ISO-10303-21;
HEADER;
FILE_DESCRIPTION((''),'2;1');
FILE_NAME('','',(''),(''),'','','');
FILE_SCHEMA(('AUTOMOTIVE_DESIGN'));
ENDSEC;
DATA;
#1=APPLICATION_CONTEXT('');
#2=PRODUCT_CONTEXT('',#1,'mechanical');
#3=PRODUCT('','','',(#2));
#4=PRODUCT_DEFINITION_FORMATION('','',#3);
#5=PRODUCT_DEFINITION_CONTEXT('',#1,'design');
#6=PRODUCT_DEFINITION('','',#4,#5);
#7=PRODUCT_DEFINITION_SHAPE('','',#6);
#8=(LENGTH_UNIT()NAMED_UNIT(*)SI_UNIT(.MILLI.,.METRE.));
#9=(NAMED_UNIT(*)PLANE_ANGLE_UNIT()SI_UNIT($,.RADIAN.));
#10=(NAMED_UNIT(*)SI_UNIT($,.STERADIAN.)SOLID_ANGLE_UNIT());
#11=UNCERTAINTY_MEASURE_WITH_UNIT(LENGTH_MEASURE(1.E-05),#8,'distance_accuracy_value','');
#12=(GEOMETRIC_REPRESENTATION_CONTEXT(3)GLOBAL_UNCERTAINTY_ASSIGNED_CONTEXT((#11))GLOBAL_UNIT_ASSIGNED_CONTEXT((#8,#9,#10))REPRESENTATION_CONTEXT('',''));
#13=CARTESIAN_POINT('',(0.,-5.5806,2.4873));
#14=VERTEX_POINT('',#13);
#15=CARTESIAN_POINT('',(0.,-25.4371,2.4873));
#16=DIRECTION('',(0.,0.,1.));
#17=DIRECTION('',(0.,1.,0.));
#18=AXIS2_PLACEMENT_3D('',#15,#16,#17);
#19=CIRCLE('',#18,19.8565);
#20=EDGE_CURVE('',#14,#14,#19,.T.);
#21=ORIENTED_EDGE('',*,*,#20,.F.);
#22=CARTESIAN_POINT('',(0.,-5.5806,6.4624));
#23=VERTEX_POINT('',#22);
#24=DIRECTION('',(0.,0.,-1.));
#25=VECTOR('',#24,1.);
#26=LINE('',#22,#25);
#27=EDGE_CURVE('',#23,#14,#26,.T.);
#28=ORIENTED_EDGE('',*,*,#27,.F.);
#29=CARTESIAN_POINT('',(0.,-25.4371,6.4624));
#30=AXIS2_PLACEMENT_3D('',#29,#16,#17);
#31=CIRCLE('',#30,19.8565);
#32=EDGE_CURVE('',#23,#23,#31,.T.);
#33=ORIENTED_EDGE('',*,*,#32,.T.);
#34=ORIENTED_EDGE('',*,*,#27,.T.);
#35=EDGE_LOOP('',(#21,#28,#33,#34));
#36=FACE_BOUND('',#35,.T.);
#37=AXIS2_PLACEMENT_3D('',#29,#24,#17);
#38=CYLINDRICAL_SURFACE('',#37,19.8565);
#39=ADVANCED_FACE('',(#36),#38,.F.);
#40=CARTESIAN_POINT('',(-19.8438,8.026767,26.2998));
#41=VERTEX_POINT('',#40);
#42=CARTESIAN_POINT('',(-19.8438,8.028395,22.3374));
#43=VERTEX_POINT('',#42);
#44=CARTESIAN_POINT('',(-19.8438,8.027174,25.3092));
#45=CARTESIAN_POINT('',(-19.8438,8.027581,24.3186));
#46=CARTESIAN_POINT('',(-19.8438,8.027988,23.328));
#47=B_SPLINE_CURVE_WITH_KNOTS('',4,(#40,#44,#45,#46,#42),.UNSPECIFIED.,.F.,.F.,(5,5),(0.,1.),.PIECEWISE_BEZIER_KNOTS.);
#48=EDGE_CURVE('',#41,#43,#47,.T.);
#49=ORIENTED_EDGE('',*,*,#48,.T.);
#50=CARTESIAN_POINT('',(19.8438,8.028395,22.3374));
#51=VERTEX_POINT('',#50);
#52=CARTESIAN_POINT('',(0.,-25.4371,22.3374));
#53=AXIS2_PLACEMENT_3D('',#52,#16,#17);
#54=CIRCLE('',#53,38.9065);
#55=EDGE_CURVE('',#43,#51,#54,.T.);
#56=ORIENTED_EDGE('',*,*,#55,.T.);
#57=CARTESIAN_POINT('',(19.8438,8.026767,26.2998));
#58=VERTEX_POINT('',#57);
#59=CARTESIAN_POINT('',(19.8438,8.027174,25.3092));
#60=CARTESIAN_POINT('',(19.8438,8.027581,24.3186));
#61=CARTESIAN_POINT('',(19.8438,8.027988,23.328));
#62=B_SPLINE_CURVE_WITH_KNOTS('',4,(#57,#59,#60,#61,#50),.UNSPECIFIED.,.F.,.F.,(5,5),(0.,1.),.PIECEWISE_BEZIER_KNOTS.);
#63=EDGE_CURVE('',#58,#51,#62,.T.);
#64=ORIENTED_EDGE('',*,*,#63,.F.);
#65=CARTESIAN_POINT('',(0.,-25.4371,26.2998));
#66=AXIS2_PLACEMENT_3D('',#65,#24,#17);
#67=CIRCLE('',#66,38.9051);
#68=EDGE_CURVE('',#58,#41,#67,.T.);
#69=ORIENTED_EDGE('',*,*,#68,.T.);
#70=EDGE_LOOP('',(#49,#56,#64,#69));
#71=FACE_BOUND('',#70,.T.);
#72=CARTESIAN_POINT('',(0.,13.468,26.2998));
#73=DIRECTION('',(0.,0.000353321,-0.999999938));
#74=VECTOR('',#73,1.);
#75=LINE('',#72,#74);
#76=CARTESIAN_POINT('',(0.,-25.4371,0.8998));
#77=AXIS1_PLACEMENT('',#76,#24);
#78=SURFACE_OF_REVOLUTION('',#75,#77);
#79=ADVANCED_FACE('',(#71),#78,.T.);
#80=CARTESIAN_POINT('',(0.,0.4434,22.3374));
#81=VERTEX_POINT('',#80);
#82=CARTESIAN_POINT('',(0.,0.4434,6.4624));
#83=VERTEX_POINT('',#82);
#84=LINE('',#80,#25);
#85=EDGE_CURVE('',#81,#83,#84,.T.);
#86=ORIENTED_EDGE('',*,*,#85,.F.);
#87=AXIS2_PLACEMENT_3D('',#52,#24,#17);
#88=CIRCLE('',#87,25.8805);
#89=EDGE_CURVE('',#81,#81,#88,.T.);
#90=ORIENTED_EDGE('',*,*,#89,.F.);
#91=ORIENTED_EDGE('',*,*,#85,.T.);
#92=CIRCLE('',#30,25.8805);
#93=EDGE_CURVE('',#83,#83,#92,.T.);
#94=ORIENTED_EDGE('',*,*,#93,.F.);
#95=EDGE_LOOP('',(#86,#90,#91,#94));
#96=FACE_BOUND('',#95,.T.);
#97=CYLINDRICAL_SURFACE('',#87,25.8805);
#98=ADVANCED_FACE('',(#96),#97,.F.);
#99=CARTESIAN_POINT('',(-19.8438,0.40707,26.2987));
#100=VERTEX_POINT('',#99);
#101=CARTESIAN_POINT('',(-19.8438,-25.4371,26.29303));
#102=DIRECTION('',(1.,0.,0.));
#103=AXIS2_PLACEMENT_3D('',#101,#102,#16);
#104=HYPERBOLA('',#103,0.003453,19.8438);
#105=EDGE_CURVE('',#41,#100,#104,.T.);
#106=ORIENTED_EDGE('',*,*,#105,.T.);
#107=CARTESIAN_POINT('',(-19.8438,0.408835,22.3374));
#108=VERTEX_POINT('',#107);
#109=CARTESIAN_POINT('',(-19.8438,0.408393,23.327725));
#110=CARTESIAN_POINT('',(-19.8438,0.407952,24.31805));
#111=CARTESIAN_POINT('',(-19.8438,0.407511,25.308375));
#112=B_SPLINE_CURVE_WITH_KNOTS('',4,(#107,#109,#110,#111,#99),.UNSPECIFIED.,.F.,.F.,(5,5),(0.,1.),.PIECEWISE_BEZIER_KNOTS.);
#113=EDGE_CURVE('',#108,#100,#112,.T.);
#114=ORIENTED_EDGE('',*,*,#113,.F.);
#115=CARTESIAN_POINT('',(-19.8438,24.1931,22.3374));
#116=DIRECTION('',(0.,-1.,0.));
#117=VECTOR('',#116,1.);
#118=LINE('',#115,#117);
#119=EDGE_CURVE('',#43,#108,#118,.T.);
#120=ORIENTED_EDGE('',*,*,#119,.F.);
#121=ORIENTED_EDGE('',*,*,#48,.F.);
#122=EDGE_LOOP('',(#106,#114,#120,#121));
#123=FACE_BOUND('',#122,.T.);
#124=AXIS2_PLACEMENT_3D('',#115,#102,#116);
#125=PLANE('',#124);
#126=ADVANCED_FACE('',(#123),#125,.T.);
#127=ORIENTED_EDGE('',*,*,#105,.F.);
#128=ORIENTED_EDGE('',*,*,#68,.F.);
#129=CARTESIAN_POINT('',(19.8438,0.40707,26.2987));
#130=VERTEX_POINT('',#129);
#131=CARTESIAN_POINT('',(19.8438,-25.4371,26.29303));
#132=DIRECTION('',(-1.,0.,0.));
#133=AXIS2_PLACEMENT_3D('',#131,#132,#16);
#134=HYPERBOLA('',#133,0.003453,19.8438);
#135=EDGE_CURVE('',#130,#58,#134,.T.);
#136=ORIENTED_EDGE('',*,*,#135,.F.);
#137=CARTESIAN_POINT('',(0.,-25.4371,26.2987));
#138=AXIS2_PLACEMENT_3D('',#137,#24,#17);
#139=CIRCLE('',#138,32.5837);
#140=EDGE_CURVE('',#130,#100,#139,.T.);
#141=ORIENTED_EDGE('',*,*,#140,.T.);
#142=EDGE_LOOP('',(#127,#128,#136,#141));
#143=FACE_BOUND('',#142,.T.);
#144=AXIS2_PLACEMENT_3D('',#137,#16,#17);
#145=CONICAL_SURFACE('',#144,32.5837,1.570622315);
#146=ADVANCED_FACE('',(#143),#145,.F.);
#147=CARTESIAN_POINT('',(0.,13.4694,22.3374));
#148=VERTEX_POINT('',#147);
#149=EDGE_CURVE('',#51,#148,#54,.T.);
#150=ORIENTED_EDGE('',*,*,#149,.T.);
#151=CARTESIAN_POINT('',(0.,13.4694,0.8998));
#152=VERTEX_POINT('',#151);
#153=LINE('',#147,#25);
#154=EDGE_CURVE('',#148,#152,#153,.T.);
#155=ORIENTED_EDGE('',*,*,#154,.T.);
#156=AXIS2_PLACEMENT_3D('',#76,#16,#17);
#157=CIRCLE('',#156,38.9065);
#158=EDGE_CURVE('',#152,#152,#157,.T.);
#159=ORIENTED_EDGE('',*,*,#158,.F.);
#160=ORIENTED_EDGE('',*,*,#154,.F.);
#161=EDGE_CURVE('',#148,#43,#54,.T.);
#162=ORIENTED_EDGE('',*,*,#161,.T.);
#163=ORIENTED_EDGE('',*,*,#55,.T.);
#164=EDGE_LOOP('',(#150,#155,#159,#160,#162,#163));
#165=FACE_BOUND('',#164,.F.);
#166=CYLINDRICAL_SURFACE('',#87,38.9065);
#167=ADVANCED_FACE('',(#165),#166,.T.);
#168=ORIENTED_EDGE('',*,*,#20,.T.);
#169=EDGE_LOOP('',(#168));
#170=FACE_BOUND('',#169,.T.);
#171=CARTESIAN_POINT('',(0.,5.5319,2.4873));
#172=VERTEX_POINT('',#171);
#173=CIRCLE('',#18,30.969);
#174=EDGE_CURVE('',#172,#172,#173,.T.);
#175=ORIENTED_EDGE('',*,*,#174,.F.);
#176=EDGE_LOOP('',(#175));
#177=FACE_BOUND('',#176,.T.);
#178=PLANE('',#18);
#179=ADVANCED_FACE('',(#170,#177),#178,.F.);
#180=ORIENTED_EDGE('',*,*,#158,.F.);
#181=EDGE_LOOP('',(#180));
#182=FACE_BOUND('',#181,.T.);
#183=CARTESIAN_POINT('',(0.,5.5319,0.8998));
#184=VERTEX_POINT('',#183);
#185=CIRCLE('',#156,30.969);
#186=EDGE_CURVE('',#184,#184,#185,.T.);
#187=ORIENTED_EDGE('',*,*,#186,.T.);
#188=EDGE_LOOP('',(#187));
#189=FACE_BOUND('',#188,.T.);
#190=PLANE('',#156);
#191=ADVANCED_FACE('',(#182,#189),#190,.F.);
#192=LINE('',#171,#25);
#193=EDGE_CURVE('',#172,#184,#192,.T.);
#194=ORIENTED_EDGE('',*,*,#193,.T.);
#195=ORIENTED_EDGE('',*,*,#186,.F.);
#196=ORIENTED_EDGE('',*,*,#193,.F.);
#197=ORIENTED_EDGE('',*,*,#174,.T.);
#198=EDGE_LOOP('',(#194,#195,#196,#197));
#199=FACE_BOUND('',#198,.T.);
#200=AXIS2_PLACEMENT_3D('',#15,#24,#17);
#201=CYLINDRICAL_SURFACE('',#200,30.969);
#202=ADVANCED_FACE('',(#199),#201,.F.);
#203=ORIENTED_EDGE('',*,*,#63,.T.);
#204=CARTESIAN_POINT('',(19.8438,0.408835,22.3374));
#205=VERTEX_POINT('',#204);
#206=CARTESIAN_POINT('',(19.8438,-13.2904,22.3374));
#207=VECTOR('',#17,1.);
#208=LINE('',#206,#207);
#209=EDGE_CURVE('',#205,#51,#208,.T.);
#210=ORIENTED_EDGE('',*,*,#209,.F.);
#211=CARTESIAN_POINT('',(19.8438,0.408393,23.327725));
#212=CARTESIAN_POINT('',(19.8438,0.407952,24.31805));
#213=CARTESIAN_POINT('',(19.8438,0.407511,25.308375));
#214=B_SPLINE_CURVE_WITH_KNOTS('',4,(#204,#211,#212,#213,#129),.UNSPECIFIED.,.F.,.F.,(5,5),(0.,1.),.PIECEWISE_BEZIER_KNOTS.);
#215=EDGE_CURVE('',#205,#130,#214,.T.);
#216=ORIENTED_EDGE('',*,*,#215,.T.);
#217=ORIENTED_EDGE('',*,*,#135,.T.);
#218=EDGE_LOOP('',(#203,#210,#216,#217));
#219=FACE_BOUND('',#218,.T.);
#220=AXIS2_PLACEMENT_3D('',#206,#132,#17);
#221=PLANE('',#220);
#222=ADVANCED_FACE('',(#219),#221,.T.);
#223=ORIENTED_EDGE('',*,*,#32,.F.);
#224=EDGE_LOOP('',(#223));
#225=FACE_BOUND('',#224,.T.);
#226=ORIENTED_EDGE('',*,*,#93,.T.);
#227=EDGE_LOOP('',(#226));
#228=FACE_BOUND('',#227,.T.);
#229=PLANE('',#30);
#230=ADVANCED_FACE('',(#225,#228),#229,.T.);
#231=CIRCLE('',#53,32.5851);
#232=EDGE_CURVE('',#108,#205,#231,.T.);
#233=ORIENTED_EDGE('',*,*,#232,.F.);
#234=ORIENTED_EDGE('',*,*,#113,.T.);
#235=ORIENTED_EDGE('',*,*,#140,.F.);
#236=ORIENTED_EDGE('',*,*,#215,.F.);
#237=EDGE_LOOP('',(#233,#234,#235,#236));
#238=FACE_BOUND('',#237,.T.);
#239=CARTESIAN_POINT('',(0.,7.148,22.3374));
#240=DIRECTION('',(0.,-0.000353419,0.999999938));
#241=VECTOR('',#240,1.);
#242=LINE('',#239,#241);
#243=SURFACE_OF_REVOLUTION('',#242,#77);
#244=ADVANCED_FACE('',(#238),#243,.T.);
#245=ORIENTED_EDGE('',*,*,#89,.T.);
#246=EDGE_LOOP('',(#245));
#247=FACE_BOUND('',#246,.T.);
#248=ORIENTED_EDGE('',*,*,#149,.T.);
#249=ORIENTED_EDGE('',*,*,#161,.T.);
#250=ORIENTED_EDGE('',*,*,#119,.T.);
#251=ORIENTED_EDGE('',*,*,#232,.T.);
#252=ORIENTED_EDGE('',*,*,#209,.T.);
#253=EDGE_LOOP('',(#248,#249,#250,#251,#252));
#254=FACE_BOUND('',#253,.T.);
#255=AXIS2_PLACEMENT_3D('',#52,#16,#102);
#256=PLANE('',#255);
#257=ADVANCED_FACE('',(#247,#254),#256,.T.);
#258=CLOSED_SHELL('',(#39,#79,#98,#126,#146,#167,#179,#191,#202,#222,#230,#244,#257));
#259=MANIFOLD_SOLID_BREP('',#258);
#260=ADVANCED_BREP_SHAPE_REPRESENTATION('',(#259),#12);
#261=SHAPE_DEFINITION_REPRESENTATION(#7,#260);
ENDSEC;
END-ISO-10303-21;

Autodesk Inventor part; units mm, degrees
ref_plane "YZ Plane" through (0, 0, 0) normal (1, 0, 0) x (0, 1, 0)
ref_plane "XZ Plane" through (0, 0, 0) normal (0, 1, 0) x (-1, 0, 0)
ref_plane "XY Plane" through (0, 0, 0) normal (0, 0, 1) x (1, 0, 0)
sketch "Sketch1" plane through (0, 0, 0) normal (1, 0, 0) x (0, 1, 0)
  line L0 (7.148, 22.3374) -> (0.4434, 22.3374)
  line L1 (0.4434, 22.3374) -> (0.4434, 6.4624)
  line L2 (0.4434, 6.4624) -> (-5.5806, 6.4624)
  line L3 (-5.5806, 6.4624) -> (-5.5806, 2.4873)
  line L4 (-5.5806, 2.4873) -> (5.5319, 2.4873)
  line L5 (5.5319, 2.4873) -> (5.5319, 0.8998)
  line L6 (5.5319, 0.8998) -> (13.4694, 0.8998)
  line L7 (7.148, 22.3374) -> (7.1466, 26.2987)
  line L8 (7.1466, 26.2987) -> (13.468, 26.2998)
  line L9 (13.468, 26.2998) -> (13.4694, 22.3374)
  line L10 (13.4694, 22.3374) -> (13.4694, 0.8998)
  line L11 (13.4694, 0.8998) -> (-25.4371, 0.8998) construction
  line L12 (-25.4371, 0.8998) -> (-25.4371, 30.7501)
  line L13 (7.148, 22.3374) -> (13.4694, 22.3374)
  point P0 (0, 0)
  dimension "d7" = 19.05
  dimension "d8" = 7.9375
  dimension "d9" = 5.5626
  dimension "d10" = 1.5875
  dimension "d11" = 25.4
  dimension "d12" = 21.4376
  dimension "d13" = 38.9064
revolve "Revolution1" add sketch "Sketch1" angle 360 about axis through (0, -25.4371, 0.8998) along (0, 0, 1) contours L13 L10 L6 L5 L4 L3 L2 L1 L0
revolve "Revolution2" add sketch "Sketch1" angle 360 about axis through (0, -25.4371, 0.8998) along (0, 0, -1) contours L7 L8 L9 L13
sketch "Sketch3" plane through (0, -25.4371, 22.3374) normal (0, 0, 1) x (1, 0, 0)
  line L0 (0, 49.6302) -> (19.8438, 49.6302)
  line L1 (19.8438, 49.6302) -> (-19.8438, 49.6302)
  line L2 (-19.8438, 49.6302) -> (-19.8438, 12.1467)
  line L3 (-19.8438, 12.1467) -> (19.8438, 12.1467)
  line L4 (19.8438, 12.1467) -> (19.8438, 49.6302)
  point P0 (0, 25.4371)
  dimension "d18" = 19.8438
  dimension "d19" = 39.6875
extrude "Extrusion1" cut sketch "Sketch3" along normal blind 15.875
properties part number "Lower die 2 oweder ring"
